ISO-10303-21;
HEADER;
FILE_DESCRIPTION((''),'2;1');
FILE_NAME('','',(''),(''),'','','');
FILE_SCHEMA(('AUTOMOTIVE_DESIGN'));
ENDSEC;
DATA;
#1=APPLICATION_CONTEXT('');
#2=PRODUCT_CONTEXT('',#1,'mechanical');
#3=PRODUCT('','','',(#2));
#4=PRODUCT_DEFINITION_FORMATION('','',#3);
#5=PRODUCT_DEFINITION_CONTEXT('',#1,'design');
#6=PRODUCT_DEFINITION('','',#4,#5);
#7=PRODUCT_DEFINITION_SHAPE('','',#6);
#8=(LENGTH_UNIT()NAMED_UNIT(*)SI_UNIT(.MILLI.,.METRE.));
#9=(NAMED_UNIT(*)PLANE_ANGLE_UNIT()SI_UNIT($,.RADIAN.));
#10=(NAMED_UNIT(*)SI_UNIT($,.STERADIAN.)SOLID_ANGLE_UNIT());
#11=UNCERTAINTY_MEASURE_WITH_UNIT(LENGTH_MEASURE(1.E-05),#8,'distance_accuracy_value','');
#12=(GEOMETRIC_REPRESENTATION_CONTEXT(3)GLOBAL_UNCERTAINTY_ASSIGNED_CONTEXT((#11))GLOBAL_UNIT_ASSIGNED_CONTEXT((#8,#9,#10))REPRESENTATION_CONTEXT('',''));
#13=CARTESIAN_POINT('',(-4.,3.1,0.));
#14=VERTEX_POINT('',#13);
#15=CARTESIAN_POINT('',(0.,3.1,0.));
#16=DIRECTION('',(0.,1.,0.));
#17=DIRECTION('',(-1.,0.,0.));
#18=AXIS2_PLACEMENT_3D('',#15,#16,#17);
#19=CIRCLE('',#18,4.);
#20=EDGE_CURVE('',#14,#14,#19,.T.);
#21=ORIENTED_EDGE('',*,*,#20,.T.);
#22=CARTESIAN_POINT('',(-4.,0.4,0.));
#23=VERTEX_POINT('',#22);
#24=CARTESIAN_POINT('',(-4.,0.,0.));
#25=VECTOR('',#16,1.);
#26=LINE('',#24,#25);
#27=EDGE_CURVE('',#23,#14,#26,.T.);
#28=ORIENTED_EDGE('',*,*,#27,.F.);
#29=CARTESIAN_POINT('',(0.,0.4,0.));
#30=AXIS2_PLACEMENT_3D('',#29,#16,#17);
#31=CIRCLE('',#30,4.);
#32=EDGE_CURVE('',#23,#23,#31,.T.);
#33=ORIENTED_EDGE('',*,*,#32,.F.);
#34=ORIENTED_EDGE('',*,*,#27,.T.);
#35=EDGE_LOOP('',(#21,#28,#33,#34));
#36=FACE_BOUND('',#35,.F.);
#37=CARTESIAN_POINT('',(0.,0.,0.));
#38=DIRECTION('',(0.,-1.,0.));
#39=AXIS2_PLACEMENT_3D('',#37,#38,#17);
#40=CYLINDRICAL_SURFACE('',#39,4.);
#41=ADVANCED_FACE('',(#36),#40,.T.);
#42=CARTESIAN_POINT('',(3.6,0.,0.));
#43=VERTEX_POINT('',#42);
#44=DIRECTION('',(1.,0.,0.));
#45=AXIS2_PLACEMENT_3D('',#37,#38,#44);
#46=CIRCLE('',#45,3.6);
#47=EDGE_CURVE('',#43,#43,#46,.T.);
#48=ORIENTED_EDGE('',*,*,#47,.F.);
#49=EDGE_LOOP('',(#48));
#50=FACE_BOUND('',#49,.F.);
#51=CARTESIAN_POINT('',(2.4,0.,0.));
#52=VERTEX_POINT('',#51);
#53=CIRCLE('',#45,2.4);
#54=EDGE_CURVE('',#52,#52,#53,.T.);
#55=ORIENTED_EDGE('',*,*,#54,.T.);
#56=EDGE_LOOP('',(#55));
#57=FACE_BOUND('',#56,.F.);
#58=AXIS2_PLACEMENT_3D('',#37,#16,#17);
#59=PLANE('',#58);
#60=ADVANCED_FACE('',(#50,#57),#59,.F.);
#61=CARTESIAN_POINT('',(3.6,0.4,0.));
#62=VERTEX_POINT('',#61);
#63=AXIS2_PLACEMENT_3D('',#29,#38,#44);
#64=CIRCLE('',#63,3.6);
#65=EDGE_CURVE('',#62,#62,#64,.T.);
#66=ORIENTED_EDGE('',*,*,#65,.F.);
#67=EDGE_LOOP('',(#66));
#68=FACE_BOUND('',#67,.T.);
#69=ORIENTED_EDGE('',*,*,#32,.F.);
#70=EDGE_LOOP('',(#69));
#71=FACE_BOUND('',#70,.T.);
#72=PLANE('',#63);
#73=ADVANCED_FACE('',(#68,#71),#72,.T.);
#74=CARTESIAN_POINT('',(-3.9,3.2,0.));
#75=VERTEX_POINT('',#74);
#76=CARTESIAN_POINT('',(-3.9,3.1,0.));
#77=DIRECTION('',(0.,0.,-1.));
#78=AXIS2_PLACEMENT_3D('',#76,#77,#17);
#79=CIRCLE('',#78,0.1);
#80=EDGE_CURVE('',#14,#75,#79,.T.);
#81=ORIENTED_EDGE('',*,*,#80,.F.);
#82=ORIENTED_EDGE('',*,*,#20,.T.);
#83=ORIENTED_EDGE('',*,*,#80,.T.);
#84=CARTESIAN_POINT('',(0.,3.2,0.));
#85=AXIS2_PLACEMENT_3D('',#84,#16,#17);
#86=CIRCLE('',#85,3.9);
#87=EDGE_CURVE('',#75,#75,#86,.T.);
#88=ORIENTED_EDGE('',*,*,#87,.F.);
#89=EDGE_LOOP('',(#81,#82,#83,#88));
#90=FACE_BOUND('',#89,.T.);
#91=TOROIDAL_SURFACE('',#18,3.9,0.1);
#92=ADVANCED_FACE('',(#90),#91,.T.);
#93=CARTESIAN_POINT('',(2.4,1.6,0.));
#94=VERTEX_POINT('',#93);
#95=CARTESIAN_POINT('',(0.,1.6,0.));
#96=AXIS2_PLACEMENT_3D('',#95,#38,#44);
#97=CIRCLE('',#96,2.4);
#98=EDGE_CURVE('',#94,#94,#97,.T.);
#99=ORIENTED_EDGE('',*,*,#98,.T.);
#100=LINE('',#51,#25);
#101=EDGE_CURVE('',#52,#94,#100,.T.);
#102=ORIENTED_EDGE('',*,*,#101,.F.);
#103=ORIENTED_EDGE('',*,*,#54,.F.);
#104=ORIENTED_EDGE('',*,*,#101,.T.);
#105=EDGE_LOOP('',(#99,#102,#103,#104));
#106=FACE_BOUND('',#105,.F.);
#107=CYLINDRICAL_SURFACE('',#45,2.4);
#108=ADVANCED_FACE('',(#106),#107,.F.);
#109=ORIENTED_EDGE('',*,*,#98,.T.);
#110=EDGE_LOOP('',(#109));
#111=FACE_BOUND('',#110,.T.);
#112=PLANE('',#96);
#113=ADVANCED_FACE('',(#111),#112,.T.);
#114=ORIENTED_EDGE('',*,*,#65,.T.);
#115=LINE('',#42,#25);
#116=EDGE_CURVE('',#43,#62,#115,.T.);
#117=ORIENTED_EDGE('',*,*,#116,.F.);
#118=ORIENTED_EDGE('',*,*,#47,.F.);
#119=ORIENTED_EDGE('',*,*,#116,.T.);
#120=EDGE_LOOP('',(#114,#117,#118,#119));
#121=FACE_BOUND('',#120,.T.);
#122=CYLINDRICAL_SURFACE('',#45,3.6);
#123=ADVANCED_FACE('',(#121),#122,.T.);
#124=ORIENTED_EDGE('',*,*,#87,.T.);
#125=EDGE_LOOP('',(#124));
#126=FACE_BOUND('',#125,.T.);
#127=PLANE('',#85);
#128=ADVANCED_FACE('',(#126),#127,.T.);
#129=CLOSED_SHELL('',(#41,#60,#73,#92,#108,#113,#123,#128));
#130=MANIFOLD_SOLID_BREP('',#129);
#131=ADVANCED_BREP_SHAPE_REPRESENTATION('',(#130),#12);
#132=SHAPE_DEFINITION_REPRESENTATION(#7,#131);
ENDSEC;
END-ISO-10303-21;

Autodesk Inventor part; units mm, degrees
ref_plane "YZ Plane" through (0, 0, 0) normal (1, 0, 0) x (0, 1, 0)
ref_plane "XZ Plane" through (0, 0, 0) normal (0, 1, 0) x (-1, 0, 0)
ref_plane "XY Plane" through (0, 0, 0) normal (0, 0, 1) x (1, 0, 0)
sketch "Sketch2" plane through (0, 0, 0) normal (0, 1, 0) x (-1, 0, 0)
  line L0 (-4, 4) -> (4, 4) construction
  line L1 (4, 4) -> (4, -4) construction
  line L2 (4, -4) -> (-4, -4) construction
  line L3 (-4, -4) -> (-4, 4) construction
  circle A0 centre (0, 0) radius 4
  point P0 (0, 4)
  point P1 (-4, 0)
  dimension "d0" = 8
  dimension "d1" = 8
extrude "Extrusion1" add sketch "Sketch2" along normal blind 3.2
sketch "Sketch10" plane through (0, 0, 0) normal (0, -1, 0) x (1, 0, 0)
  circle A0 centre (0, 0) radius 4 projected
  circle A1 centre (4, 4) radius 2.4 construction
  line L0 (0, 0) -> (4, 4) construction
  circle A2 centre (0, 0) radius 3.2569
  circle A3 centre (0, 0) radius 2.4
  circle A4 centre (0, 0) radius 3.6
  dimension "d92" = 4.8
  dimension "d93" = 4
  dimension "d94" = 4
  dimension "d95" = 4.8
  dimension "d99" = 0.4
extrude "Extrusion6" cut sketch "Sketch10" against normal blind 1.6 contours A3
extrude "Extrusion7" cut sketch "Sketch10" against normal blind 0.4 contours A0
fillet "Fillet1" radius 0.1 1 edges at (4, 3.2, 0)
equation "\"d4\" = 0.333333 * lh"
equation "\"d92\" = kd"
equation "\"d93\" = 0.5 * lu"
equation "\"d94\" = d93"
equation "\"d95\" = kd"
equation "\"d99\" = gw"
equation "\"d96\" = 0.333333 * lh - topthk"
equation "\"d100\" = gh"
equation "\"lh\" = 9.6"
equation "\"kd\" = 4.8"
equation "\"lu\" = 8"
equation "\"gw\" = 0.4"
equation "\"topthk\" = 1.6"
equation "\"gh\" = 0.4"
properties part number "98138-TransOrange" material "Polycarbonate"
